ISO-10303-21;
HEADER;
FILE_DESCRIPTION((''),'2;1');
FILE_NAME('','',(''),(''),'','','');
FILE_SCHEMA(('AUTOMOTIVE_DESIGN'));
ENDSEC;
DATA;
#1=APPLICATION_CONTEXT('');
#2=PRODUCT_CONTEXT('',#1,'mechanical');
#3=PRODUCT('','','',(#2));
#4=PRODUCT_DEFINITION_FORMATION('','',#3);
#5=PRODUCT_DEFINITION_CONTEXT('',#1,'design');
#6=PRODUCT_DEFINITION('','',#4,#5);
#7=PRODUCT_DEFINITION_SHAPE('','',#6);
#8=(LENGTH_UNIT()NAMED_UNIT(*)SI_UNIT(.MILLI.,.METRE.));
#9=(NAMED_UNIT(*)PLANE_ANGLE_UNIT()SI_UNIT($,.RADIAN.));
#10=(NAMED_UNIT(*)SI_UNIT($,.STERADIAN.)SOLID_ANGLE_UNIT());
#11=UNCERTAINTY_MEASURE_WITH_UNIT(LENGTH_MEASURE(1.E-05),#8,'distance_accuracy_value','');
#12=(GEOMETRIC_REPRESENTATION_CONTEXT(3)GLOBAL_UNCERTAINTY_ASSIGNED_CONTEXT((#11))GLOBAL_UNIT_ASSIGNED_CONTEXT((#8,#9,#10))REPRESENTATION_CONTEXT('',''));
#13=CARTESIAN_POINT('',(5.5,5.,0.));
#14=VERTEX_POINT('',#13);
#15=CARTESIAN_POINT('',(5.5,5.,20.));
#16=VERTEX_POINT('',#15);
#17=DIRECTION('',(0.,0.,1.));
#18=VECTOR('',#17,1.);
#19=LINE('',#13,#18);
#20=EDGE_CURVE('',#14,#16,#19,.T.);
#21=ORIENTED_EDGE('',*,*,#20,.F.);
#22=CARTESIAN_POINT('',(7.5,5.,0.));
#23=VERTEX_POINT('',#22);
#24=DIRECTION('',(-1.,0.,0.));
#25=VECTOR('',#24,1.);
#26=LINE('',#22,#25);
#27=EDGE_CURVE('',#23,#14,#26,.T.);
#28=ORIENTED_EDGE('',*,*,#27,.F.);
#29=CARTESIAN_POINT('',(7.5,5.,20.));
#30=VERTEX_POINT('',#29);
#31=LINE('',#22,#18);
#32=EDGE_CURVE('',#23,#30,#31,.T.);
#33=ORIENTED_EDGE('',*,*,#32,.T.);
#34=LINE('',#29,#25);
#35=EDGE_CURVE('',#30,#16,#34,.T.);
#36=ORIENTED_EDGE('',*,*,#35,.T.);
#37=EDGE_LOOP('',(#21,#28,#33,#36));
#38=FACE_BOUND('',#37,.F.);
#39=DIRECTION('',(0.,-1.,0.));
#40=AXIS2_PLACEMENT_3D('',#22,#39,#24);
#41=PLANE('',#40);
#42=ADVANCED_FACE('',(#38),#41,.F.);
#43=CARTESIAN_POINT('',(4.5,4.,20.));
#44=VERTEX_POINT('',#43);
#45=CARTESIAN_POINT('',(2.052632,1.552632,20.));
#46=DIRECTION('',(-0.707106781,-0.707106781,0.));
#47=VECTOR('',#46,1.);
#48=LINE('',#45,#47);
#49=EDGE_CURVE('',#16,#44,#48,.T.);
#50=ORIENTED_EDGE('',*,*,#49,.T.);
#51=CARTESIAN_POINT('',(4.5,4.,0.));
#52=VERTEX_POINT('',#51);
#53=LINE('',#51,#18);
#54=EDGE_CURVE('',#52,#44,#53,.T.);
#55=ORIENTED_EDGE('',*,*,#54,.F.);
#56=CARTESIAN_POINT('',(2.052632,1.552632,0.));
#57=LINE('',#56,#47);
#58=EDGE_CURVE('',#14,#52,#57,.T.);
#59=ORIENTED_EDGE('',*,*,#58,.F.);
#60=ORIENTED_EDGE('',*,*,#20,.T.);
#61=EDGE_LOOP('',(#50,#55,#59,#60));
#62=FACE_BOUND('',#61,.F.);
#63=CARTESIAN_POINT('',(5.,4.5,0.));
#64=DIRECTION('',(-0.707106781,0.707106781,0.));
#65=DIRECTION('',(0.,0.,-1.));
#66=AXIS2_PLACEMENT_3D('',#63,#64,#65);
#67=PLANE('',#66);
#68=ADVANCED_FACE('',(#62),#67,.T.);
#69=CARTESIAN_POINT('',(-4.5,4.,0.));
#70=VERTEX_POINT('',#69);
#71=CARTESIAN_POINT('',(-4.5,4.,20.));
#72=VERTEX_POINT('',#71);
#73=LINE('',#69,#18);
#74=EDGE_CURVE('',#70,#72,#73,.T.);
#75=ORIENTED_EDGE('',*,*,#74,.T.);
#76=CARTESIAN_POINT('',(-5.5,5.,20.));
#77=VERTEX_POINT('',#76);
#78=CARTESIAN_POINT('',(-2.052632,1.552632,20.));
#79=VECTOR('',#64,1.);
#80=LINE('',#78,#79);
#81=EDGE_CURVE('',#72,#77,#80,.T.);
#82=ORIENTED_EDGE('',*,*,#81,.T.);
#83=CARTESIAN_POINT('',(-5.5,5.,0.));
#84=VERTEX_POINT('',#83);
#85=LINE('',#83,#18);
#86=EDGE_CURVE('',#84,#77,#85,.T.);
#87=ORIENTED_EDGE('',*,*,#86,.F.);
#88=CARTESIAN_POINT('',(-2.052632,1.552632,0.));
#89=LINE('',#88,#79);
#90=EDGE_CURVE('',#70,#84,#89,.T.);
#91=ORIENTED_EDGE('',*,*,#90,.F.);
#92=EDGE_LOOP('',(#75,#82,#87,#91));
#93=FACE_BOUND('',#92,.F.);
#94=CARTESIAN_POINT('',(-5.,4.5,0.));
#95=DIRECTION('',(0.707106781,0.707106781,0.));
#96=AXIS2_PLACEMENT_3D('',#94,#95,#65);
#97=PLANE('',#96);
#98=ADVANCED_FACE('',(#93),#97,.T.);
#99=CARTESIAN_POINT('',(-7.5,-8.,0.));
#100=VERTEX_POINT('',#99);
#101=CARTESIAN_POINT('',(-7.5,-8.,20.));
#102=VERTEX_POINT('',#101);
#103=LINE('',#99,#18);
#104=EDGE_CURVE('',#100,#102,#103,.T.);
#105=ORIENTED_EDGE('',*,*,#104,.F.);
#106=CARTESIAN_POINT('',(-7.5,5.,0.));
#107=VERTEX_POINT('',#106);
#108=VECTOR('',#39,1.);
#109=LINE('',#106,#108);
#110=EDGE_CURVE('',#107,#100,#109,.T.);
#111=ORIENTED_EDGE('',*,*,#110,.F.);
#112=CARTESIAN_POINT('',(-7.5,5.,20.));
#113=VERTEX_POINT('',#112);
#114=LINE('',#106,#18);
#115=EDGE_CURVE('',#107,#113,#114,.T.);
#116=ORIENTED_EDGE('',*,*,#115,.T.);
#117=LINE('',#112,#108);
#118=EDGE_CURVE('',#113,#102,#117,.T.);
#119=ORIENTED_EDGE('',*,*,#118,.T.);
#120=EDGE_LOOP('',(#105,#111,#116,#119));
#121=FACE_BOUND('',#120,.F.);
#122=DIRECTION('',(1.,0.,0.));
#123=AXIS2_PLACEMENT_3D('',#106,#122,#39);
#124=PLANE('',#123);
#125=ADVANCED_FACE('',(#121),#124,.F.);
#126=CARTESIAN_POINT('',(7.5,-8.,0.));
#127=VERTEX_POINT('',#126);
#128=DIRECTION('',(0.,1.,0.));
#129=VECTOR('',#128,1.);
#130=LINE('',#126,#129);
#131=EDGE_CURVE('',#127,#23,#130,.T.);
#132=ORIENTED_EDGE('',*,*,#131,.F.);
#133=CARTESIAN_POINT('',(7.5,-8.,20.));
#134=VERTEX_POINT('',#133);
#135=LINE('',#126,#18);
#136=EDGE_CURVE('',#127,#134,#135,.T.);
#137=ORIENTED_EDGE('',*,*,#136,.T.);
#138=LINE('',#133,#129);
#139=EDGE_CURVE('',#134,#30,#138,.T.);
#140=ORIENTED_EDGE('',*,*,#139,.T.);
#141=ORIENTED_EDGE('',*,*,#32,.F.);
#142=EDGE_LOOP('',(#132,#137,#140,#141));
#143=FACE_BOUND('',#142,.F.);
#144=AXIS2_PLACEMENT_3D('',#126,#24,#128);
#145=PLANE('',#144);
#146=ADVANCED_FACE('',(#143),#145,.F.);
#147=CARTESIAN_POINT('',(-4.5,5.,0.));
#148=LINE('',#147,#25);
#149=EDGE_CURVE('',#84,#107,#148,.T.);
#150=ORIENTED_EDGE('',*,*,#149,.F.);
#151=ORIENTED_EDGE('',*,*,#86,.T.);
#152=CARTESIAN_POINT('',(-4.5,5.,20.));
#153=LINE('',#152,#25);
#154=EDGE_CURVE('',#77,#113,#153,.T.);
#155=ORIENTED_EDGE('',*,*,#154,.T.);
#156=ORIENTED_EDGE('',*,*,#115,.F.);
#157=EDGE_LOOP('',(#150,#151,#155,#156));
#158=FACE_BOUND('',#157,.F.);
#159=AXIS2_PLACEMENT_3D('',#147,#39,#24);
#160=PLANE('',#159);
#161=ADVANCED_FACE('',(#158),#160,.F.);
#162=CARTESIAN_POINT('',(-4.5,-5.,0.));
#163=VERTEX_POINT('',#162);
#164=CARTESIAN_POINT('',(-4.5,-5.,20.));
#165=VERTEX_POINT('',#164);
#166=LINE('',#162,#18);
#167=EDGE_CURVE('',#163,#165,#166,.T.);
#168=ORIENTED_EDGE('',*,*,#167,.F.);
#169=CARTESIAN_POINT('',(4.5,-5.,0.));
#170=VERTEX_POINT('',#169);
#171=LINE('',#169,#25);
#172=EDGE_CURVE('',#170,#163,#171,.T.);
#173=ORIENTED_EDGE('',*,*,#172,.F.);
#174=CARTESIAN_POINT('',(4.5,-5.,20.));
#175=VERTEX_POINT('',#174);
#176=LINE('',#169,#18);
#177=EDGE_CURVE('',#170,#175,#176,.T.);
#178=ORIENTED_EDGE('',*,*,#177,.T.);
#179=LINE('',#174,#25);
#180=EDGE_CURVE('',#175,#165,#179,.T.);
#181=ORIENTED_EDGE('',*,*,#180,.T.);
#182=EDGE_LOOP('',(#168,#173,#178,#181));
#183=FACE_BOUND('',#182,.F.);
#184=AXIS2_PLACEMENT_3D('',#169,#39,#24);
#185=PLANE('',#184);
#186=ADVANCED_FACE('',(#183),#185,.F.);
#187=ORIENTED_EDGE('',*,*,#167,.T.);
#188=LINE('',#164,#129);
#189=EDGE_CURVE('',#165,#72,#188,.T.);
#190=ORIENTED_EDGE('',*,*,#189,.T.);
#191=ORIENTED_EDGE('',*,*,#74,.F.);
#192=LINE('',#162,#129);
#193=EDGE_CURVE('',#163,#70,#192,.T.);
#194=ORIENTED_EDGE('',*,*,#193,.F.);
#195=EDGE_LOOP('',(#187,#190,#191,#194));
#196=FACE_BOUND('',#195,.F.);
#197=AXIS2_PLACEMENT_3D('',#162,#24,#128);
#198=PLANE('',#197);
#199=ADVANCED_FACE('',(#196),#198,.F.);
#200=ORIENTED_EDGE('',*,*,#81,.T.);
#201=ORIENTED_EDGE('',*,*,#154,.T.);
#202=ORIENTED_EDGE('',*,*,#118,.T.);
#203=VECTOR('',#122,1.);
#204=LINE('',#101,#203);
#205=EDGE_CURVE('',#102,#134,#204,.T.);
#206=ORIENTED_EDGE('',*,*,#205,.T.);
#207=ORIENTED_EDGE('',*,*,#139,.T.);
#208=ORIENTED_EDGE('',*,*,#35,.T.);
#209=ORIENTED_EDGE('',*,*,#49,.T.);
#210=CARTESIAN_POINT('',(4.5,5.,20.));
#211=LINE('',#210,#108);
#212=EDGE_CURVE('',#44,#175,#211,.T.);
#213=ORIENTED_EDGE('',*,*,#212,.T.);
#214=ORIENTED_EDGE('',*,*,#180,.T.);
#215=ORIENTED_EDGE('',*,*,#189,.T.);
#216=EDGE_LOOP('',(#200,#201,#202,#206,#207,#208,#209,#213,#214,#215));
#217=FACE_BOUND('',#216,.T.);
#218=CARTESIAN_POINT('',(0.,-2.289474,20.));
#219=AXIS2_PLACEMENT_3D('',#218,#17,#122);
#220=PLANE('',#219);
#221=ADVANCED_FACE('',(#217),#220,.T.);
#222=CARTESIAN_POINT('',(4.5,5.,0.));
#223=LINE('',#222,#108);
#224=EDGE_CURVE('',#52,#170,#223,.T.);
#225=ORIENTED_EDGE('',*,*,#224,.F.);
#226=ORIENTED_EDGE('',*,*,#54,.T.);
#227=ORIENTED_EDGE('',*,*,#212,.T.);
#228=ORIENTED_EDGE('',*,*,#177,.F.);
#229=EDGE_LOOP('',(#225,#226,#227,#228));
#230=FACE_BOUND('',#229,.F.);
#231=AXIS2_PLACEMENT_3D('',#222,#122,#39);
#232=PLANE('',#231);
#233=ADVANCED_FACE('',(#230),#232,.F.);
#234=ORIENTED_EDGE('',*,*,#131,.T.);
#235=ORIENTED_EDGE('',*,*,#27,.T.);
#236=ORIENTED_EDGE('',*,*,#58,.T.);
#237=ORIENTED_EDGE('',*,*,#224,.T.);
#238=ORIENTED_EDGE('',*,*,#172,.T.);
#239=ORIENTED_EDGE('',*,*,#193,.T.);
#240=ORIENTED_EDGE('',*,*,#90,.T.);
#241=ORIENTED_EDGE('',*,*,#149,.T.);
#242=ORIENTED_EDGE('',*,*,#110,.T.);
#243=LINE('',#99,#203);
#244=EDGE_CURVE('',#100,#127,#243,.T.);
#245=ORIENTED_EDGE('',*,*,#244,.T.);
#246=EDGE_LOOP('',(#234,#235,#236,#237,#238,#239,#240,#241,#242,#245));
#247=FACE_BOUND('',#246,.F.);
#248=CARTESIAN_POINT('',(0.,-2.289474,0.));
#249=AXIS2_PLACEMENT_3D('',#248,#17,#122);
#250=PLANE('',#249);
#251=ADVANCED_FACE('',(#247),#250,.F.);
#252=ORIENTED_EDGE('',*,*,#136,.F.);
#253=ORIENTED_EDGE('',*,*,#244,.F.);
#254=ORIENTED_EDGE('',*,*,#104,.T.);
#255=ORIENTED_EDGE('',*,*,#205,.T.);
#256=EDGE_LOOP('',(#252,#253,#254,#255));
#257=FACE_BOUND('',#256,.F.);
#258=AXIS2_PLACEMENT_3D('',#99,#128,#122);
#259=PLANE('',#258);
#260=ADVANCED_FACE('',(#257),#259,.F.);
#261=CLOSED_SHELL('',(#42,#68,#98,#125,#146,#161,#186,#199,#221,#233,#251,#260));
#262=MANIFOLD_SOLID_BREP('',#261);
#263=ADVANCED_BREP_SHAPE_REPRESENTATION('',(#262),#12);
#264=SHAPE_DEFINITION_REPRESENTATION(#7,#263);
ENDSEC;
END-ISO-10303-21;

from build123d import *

# Parameters (mm, degrees)
PAD_DEPTH    = 20
CHAMFER_SIZE = 1


with BuildPart() as part:
    # Sketch → Pad (new body)
    with BuildSketch(Plane.XY):
        Polygon((-7.5, 5), (-7.5, -8), (7.5, -8), (7.5, 5), (4.5, 5), (4.5, -5), (-4.5, -5), (-4.5, 5), align=None)
    extrude(amount=PAD_DEPTH)

    # Chamfer
    chamfer_edges = [part.edges().sort_by_distance(p)[0] for p in [
        (-4.5, 5, 10),
        (4.5, 5, 10),
    ]]
    chamfer(chamfer_edges, length=CHAMFER_SIZE)


solid = part.part
